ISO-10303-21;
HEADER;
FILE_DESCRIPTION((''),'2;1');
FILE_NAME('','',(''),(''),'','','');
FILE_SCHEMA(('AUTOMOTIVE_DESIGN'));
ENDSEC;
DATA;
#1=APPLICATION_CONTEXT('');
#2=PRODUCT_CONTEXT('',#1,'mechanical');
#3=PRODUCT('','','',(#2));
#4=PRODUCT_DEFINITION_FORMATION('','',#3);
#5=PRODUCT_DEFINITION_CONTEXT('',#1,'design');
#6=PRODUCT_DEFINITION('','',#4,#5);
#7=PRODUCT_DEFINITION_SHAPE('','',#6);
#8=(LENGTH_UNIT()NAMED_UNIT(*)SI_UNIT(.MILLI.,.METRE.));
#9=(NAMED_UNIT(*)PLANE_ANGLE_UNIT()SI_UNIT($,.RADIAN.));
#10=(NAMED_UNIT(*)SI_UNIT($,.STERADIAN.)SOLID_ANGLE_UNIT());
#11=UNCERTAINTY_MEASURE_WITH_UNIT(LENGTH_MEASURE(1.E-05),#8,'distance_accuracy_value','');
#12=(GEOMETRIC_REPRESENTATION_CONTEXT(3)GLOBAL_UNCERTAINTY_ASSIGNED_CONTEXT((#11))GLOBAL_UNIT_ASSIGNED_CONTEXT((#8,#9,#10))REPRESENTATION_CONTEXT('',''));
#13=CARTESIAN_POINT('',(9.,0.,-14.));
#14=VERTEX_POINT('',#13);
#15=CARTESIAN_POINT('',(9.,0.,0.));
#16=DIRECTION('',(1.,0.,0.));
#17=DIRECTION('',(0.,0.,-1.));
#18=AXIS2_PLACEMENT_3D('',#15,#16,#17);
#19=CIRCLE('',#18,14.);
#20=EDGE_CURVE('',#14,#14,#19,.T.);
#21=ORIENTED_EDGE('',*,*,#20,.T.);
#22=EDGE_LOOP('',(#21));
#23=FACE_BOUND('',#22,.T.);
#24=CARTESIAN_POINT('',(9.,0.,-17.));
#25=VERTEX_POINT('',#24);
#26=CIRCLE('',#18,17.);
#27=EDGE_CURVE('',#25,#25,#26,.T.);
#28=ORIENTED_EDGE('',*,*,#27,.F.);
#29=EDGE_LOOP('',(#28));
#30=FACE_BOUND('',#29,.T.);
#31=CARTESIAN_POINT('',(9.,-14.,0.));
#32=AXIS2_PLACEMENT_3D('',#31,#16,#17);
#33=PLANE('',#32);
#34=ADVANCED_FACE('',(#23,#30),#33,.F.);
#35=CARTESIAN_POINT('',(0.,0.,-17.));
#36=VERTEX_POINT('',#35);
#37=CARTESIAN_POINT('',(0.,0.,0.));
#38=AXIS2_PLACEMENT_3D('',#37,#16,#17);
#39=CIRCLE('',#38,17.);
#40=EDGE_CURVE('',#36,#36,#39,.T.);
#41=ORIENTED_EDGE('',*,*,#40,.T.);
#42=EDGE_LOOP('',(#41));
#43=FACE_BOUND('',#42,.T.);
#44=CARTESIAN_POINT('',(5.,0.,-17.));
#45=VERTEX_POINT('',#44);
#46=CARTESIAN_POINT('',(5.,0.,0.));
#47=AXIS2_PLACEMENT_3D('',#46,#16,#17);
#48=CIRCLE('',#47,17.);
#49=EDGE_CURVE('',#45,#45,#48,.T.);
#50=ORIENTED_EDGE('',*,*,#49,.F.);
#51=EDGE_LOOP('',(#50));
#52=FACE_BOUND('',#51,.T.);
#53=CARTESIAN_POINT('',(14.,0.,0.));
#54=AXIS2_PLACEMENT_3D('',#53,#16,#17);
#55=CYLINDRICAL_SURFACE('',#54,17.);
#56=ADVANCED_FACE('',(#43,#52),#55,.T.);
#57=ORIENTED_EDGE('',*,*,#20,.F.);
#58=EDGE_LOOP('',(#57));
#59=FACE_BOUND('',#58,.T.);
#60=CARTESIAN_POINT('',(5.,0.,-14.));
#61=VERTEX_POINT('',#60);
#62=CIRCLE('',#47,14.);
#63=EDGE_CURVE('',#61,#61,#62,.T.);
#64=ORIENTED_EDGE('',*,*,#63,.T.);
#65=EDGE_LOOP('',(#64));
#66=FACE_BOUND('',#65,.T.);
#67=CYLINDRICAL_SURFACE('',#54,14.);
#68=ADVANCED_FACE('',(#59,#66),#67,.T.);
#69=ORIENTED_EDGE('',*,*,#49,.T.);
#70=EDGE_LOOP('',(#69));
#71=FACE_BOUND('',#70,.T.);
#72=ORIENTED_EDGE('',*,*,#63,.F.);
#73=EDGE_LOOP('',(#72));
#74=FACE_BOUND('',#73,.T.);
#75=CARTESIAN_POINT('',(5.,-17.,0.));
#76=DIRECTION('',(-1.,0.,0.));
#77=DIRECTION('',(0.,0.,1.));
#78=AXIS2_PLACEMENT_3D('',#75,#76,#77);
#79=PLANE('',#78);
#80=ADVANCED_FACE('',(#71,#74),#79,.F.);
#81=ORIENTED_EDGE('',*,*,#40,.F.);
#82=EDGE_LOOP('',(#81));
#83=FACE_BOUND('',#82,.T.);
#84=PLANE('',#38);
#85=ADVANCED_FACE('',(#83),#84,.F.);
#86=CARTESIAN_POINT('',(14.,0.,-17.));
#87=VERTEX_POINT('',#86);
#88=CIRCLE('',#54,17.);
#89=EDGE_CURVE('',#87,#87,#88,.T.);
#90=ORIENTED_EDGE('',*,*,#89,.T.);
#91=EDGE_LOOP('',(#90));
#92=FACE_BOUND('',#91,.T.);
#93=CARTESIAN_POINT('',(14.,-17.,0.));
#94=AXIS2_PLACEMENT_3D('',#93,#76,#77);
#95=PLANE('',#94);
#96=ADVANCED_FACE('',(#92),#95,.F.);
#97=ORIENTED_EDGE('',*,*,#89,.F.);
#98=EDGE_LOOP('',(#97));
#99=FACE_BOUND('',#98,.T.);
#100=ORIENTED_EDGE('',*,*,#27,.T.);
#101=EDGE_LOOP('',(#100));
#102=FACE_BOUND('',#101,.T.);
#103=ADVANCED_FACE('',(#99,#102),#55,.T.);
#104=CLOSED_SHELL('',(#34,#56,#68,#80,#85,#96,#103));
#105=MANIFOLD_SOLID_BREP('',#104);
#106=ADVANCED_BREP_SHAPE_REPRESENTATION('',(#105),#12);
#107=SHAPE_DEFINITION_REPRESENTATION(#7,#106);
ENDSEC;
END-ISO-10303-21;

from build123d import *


with BuildPart() as part:
    # Sketch1 → Revolve1 (revolve)
    with BuildSketch(Plane.XY, mode=Mode.PRIVATE) as revolve1_sk:
        Polygon((0, 0), (0, -17), (5, -17), (5, -14), (9, -14), (9, -17), (14, -17), (14, 0), align=None)
    revolve(revolve1_sk.sketch.rotate(Axis((14, 0, 0), (-1, 0, 0)), 270), axis=Axis((14, 0, 0), (-1, 0, 0)))


solid = part.part
